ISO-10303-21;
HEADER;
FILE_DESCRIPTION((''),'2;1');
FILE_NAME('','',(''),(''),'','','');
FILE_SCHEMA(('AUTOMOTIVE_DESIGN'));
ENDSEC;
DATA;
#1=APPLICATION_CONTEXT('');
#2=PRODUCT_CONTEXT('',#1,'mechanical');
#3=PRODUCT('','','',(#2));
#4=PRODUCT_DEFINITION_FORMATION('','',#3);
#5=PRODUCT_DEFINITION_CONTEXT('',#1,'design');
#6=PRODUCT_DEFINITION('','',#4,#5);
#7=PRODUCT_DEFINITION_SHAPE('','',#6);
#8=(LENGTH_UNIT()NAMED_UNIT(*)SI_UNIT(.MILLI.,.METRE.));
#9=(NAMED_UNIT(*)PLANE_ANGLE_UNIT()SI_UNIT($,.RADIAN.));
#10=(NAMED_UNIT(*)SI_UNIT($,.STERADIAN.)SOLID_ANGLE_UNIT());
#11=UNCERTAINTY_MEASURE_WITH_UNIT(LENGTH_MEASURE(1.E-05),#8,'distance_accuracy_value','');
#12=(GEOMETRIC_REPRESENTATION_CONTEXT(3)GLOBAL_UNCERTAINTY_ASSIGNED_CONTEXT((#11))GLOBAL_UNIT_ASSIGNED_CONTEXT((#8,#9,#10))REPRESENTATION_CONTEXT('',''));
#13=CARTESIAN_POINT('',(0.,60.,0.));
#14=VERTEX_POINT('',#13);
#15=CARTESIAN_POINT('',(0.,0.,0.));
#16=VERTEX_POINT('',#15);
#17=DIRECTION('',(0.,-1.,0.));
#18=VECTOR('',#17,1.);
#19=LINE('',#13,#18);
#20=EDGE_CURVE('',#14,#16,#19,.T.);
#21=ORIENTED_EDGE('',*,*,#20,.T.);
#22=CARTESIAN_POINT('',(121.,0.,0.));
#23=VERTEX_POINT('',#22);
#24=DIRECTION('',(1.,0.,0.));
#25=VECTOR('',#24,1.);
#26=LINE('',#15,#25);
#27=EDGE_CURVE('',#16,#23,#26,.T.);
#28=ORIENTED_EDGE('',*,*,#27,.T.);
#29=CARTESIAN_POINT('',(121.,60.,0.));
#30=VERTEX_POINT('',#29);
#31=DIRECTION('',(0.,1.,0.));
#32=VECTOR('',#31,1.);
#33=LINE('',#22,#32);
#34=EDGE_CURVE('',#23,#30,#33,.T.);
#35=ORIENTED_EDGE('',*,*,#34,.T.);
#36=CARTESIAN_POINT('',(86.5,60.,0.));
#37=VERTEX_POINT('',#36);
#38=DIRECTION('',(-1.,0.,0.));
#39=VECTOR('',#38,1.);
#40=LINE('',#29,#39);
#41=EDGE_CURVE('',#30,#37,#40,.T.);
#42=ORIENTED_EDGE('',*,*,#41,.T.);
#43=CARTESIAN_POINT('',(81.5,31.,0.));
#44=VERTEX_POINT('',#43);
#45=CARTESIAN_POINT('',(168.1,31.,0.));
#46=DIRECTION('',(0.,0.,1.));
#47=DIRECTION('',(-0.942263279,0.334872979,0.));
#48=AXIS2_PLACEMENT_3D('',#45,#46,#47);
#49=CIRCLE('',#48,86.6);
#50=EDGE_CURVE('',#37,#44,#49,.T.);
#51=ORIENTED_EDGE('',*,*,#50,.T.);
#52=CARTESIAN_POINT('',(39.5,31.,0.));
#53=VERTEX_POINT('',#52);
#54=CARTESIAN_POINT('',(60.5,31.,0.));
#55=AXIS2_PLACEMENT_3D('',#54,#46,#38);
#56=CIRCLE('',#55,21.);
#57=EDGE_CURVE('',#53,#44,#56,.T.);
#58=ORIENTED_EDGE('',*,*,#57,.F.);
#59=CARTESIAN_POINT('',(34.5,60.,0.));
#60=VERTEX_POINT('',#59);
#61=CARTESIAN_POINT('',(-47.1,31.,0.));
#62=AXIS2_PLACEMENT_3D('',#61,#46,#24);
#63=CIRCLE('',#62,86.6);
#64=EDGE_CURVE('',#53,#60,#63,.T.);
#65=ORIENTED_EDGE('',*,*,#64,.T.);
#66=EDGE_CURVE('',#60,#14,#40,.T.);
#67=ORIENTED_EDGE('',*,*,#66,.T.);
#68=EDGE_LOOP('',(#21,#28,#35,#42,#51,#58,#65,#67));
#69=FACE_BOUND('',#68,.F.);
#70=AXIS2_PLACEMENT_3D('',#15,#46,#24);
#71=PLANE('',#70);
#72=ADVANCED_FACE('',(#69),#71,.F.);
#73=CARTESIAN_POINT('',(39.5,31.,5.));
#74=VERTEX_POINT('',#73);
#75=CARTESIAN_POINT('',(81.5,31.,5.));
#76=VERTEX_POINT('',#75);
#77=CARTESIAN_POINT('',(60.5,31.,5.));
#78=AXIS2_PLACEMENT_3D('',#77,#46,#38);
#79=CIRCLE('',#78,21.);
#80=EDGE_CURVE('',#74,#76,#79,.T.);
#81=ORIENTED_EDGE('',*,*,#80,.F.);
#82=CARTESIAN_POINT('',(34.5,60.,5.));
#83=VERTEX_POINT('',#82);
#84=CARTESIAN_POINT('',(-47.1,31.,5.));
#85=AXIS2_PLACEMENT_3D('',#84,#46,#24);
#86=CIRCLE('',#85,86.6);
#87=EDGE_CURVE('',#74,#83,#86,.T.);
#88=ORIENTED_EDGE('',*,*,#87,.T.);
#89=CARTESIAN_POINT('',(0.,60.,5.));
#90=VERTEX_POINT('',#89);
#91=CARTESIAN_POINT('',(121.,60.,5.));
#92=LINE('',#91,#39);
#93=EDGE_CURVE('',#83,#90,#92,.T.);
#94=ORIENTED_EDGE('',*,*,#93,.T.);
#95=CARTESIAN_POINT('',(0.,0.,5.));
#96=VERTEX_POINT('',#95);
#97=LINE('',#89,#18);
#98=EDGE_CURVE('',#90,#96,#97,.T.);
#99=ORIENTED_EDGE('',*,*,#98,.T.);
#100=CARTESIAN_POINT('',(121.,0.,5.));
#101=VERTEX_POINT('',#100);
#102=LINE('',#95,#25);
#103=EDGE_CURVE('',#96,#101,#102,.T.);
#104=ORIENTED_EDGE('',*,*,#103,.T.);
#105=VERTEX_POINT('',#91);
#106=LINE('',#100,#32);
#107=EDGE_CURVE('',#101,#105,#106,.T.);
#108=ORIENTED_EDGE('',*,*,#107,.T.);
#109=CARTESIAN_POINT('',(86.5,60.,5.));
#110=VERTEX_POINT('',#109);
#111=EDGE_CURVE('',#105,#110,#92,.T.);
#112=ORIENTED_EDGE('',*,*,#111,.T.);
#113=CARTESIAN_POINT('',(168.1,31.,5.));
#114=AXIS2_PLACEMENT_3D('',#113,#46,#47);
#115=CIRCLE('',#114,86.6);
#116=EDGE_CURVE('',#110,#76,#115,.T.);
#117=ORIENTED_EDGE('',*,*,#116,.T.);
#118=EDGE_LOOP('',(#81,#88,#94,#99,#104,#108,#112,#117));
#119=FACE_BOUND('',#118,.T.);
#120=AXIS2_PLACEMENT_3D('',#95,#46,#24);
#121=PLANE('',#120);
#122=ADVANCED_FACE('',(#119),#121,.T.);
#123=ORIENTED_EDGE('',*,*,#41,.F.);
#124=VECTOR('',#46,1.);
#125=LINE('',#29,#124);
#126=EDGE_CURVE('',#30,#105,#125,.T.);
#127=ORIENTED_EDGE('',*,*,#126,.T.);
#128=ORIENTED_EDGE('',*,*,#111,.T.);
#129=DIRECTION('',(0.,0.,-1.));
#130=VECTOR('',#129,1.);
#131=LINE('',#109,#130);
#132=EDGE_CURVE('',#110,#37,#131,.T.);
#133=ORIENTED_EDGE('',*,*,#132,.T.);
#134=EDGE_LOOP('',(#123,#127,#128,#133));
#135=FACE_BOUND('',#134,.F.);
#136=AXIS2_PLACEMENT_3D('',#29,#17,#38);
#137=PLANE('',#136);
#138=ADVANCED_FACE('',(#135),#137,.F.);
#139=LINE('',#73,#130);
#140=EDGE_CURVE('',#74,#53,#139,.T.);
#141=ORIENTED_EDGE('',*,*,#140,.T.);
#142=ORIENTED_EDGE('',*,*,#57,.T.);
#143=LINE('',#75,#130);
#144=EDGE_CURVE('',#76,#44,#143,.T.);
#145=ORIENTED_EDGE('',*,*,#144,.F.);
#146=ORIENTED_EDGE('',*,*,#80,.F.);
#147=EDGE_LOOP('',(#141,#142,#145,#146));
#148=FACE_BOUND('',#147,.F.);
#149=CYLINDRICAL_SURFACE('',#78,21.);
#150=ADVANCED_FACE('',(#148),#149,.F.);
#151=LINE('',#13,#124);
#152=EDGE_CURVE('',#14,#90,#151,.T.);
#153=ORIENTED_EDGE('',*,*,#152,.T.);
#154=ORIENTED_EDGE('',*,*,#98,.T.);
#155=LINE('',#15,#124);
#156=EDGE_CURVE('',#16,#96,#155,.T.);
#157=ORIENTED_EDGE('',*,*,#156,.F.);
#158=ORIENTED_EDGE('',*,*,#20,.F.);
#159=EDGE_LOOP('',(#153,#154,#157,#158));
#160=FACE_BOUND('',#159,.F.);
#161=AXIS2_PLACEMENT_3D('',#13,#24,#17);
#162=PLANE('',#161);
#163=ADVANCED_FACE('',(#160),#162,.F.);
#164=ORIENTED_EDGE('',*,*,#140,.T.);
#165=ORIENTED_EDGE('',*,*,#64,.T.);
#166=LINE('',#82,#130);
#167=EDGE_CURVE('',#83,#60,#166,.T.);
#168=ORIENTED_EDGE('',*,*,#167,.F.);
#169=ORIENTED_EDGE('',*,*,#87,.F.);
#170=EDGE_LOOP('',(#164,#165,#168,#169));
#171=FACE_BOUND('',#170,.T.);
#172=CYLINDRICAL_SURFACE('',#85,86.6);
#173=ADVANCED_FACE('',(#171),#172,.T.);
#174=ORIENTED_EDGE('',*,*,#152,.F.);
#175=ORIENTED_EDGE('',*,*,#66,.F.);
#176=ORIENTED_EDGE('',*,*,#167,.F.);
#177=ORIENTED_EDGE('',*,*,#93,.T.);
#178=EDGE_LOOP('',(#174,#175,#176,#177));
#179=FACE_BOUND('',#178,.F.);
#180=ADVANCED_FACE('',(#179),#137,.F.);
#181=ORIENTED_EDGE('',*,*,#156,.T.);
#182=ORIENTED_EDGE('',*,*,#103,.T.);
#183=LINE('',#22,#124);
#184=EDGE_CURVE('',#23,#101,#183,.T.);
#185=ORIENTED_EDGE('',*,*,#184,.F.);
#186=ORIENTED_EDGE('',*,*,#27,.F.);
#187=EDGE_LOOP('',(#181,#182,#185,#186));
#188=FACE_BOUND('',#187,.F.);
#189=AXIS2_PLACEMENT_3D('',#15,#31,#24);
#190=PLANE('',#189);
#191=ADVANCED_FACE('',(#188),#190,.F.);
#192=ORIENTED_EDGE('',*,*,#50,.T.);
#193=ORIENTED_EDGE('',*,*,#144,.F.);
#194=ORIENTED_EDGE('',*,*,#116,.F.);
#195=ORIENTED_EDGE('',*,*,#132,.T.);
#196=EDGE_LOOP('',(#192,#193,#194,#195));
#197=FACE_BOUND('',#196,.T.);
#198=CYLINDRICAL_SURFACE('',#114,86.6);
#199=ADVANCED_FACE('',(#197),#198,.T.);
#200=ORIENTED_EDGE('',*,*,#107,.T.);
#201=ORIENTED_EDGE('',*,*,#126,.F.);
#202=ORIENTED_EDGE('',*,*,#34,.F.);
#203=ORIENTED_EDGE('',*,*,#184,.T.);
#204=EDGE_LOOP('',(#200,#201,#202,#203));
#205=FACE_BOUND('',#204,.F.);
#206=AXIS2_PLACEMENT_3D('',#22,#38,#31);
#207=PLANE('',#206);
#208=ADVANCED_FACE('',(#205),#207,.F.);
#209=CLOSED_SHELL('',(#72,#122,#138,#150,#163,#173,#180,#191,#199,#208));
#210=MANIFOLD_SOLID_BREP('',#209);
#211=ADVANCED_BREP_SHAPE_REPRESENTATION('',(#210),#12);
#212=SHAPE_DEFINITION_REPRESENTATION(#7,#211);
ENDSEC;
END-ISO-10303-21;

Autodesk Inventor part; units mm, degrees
ref_plane "YZ Plane" through (0, 0, 0) normal (1, 0, 0) x (0, 1, 0)
ref_plane "XZ Plane" through (0, 0, 0) normal (0, 1, 0) x (-1, 0, 0)
ref_plane "XY Plane" through (0, 0, 0) normal (0, 0, 1) x (1, 0, 0)
sketch "Sketch1" plane through (0, 0, 0) normal (0, 0, 1) x (1, 0, 0)
  line L0 (0, 0) -> (121, 0)
  line L1 (121, 0) -> (121, 60)
  line L2 (121, 60) -> (0, 60)
  line L3 (0, 60) -> (0, 0)
  dimension "d0" = 121
  dimension "d1" = 60
extrude "Extrusion1" add sketch "Sketch1" along normal blind 5
sketch "Sketch2" plane through (0, 0, 5) normal (0, 0, 1) x (1, 0, 0)
  circle A0 centre (60.5, 45.5856) radius 9.2358
  line L0 (121, 60) -> (0, 60) construction
  line L1 (60.5, 60) -> (60.5, 0) construction
  line L2 (0, 0) -> (121, 0) construction
extrude "Extrusion2" cut sketch "Sketch2" against normal blind 5
sketch "Sketch4" plane through (0, 0, 5) normal (0, 0, 1) x (1, 0, 0)
  circle A0 centre (60.5, 31) radius 16 construction
  line L0 (0, 0) -> (121, 0) construction
  line L1 (60.5, 0) -> (60.5, 60) construction
  line L2 (60.5, 60) -> (34.5, 60) construction
  arc A1 (39.5, 31) -> (81.5, 31) centre (60.5, 31) ccw
  line L3 (60.5, 31) -> (81.5, 31) construction
  line L4 (60.5, 31) -> (39.5, 31) construction
  line L5 (60.5, 60) -> (86.5, 60) construction
  line L6 (121, 60) -> (0, 60) construction
  line L7 (34.5, 60) -> (86.5, 60)
  arc A2 (39.5, 31) -> (34.5, 60) centre (-47.1, 31) ccw
  arc A3 (86.5, 60) -> (81.5, 31) centre (168.1, 31) ccw
  dimension "d28" = 26
  dimension "d30" = 21
  dimension "d33" = 32
  dimension "d34" = 180
  dimension "d35" = 90
  dimension "d36" = 26
  dimension "d39" = 0
extrude "Extrusion5" cut sketch "Sketch4" against normal blind 5
equation "\"d0\" = tankw + 2 * slack + 2 * surroundt + 2 * pvct"
equation "\"d1\" = surroundh"
equation "\"d2\" = surroundt"
equation "\"d4\" = surroundt"
equation "\"d30\" = 0.5 * diasurroundhole"
equation "\"d37\" = surroundt"
equation "\"lcsd\" = 19.05"
equation "\"lcwd1\" = 25"
equation "\"lcwd2\" = 34"
equation "\"lch1\" = 39"
equation "\"lcwd3\" = 43"
equation "\"dia1\" = 6"
equation "\"td\" = 18"
equation "\"bhh\" = 6"
equation "\"sw\" = 25"
equation "\"sh\" = 31"
equation "\"spacert\" = 2"
equation "\"pvct\" = 5"
equation "\"tankl\" = 379"
equation "\"dia4\" = 11"
equation "\"dia3\" = 8"
equation "\"play\" = 9"
equation "\"holeh\" = 26"
equation "\"surroundh\" = 60"
equation "\"slack\" = 0.5"
equation "\"surroundt\" = 5"
equation "\"play2\" = 3"
equation "\"diaair\" = 32"
equation "\"diacucl\" = 32"
equation "\"diawater\" = 25"
equation "\"diaph\" = 32"
equation "\"diaoverflow\" = 25"
equation "\"diasurroundhole\" = 42"
equation "\"diagrate\" = 12"
equation "\"gratespacing\" = 12.02082"
equation "\"bottomdist\" = 9.6355"
equation "\"sidedist\" = 13.9375"
equation "\"diahcl\" = 32"
equation "\"bracketwtop\" = 6"
equation "\"bracketwbottom\" = 6"
equation "\"nett\" = 1"
equation "\"nethole\" = 16"
equation "\"nettop\" = 7"
equation "\"netside\" = 3.5"
equation "\"netholespacing\" = 2"
equation "\"diaetape\" = 32"
equation "\"tankw\" = 100"
properties part number "surround_front back" material "PVC-Piping"
